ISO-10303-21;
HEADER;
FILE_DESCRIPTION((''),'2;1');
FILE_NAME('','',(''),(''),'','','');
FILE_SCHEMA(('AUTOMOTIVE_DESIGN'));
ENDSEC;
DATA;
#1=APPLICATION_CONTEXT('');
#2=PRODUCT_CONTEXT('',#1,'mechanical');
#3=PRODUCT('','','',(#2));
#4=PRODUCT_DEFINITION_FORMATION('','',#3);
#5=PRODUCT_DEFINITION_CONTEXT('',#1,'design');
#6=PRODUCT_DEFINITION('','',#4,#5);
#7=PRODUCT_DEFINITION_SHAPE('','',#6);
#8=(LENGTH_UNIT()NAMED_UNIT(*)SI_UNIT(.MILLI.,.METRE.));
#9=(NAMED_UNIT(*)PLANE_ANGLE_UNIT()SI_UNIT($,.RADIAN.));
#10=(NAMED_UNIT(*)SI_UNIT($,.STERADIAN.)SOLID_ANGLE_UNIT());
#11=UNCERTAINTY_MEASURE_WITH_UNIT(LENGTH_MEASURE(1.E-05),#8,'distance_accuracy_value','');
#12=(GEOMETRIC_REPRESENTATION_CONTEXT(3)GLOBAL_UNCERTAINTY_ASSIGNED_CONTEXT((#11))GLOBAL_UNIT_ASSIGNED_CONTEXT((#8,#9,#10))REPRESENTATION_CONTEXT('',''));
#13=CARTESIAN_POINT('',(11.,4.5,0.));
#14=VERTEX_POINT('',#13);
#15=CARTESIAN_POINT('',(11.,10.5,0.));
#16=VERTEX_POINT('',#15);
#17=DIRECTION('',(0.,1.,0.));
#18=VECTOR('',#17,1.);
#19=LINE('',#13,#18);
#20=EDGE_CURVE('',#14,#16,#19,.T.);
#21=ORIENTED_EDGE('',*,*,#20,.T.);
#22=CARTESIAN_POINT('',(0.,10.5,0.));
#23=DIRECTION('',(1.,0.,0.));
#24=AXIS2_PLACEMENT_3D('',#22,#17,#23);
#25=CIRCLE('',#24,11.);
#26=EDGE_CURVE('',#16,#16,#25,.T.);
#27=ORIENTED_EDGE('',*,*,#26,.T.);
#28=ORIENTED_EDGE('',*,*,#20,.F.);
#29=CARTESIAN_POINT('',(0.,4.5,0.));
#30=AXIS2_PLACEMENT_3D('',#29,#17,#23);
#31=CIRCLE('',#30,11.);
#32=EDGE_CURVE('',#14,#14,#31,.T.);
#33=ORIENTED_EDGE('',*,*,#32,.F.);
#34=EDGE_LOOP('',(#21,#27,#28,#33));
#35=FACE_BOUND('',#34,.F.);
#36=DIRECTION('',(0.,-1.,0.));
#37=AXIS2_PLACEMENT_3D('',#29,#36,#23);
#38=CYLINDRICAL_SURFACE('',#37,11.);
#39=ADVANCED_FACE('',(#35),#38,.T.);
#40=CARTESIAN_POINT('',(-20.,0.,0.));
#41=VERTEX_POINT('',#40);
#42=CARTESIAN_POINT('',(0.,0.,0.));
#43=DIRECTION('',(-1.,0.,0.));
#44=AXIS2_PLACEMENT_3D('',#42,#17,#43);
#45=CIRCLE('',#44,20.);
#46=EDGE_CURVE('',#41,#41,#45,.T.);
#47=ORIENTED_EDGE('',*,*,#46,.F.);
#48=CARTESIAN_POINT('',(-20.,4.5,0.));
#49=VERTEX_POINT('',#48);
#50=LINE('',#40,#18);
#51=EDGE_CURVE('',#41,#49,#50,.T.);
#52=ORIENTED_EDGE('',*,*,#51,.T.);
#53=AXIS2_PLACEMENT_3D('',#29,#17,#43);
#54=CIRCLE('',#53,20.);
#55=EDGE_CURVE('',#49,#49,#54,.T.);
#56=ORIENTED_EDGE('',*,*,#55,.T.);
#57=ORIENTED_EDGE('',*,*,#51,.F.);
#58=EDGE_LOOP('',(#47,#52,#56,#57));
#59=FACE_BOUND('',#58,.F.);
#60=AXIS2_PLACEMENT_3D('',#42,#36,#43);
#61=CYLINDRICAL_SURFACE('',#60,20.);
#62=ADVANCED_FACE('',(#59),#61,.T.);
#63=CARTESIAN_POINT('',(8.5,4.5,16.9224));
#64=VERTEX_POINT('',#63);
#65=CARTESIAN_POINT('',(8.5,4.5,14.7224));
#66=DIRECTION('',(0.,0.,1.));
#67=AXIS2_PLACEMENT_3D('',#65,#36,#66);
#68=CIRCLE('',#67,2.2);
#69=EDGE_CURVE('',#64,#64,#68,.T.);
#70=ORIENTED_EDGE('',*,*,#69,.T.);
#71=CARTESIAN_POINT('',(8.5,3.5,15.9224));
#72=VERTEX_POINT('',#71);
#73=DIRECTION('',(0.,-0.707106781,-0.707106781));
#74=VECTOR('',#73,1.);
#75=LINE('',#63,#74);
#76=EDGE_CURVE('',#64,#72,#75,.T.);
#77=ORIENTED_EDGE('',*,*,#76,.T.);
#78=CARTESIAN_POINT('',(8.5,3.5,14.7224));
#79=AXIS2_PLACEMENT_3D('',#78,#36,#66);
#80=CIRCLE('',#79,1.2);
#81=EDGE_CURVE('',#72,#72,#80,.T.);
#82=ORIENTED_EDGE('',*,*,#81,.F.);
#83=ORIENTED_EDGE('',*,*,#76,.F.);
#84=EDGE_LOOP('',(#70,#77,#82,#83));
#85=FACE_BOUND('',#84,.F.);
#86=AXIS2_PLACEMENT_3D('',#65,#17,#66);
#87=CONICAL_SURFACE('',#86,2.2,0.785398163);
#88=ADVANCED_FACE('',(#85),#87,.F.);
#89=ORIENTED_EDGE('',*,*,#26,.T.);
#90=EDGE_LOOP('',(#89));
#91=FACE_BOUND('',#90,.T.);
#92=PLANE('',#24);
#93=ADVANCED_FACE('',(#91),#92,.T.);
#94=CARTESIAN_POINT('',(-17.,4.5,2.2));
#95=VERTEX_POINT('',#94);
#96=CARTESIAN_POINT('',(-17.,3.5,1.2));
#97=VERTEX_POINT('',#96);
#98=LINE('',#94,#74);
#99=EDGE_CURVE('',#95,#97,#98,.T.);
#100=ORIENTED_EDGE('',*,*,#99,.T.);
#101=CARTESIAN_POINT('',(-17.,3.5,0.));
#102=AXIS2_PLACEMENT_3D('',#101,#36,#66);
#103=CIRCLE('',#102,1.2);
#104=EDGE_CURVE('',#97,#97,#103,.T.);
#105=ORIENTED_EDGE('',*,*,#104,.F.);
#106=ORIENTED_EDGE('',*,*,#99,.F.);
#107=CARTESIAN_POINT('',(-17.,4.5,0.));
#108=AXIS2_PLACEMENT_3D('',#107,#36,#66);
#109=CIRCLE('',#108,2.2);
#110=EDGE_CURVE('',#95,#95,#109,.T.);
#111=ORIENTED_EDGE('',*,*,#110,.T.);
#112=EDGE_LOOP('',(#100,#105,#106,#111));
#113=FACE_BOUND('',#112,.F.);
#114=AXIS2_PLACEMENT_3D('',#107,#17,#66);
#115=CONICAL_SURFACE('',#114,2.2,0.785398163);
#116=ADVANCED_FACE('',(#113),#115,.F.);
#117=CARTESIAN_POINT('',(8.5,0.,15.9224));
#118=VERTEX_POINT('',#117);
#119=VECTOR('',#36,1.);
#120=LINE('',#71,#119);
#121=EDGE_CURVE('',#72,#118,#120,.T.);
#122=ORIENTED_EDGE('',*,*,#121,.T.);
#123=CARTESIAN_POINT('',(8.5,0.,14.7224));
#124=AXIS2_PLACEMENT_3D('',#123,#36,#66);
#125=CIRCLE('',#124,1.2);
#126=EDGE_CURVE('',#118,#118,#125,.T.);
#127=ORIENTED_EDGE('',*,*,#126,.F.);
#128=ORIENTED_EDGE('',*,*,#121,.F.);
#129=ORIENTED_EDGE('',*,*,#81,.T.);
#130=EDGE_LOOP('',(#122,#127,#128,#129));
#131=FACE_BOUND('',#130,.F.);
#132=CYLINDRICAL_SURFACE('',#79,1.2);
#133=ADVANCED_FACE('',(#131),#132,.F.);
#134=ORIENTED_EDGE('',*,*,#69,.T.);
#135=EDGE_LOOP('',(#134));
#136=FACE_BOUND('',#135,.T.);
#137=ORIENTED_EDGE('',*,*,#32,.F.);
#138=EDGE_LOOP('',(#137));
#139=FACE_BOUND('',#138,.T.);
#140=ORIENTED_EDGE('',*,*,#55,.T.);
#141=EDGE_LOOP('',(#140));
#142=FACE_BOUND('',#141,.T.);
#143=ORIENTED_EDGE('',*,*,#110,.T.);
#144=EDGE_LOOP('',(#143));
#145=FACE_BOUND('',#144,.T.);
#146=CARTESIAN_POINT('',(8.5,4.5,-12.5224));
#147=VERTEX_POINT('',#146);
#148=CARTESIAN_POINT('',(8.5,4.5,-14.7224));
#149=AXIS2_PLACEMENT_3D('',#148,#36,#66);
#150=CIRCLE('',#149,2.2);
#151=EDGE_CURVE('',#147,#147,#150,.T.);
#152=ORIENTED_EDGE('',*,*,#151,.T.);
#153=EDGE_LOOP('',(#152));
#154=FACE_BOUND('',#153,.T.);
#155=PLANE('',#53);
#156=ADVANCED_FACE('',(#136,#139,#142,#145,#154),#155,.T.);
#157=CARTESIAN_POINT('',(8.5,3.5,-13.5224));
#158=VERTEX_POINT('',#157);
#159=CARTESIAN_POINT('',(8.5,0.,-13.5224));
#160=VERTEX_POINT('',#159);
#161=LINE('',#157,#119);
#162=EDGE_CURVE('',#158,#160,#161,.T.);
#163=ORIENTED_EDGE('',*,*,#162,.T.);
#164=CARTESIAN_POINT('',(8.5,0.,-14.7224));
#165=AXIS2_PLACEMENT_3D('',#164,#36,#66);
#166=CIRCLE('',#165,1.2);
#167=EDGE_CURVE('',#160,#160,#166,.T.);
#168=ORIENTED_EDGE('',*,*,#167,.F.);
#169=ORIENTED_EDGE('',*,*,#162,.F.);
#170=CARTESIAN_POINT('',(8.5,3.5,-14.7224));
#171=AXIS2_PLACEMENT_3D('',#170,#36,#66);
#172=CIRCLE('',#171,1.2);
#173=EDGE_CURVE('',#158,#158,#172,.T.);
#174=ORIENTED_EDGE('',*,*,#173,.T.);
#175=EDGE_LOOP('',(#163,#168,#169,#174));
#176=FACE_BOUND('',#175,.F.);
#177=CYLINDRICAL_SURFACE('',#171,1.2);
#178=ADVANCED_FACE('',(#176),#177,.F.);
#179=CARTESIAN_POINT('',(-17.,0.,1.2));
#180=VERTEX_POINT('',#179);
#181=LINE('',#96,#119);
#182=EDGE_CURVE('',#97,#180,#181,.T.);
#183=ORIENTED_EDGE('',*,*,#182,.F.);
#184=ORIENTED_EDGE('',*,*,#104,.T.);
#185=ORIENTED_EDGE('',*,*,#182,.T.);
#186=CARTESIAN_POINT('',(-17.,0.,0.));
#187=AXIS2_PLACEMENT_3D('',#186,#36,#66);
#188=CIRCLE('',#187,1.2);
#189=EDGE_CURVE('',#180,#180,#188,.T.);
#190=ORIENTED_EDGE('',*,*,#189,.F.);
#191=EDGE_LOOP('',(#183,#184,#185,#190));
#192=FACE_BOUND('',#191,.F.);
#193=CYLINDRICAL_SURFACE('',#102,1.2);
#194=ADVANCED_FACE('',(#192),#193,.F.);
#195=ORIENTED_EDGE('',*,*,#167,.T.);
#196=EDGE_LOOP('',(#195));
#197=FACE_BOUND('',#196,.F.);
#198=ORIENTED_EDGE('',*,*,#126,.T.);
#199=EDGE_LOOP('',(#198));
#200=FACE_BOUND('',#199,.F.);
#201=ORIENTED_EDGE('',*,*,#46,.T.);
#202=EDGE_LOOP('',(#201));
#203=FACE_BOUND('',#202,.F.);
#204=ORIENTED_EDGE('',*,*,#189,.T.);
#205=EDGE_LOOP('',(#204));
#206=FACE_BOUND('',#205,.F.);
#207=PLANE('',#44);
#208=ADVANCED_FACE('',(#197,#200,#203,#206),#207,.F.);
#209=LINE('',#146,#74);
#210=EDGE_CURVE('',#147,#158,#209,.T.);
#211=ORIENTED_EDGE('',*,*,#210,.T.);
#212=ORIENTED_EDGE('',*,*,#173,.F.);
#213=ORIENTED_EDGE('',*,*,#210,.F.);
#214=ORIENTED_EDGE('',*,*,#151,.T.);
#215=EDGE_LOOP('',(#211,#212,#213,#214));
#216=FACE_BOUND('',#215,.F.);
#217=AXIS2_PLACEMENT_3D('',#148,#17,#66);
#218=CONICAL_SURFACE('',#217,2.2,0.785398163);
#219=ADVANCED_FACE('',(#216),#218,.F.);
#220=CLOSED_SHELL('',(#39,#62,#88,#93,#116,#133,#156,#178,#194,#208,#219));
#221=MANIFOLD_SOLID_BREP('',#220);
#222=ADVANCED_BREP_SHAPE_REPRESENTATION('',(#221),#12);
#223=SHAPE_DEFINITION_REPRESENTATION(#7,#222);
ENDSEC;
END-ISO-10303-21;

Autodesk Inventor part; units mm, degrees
ref_plane "YZ Plane" through (0, 0, 0) normal (1, 0, 0) x (0, 1, 0)
ref_plane "XZ Plane" through (0, 0, 0) normal (0, 1, 0) x (-1, 0, 0)
ref_plane "XY Plane" through (0, 0, 0) normal (0, 0, 1) x (1, 0, 0)
sketch "Sketch1" plane through (0, 0, 0) normal (0, 1, 0) x (-1, 0, 0)
  circle A0 centre (0, 0) radius 20
  dimension "d0" = 40
extrude "Extrusion1" add sketch "Sketch1" along normal blind 4.5
sketch "Sketch2" plane through (0, 4.5, 0) normal (0, 1, 0) x (1, 0, 0)
  circle A0 centre (0, 0) radius 11
  dimension "d3" = 22
extrude "Extrusion2" add sketch "Sketch2" along normal blind 6
sketch "Sketch3" plane through (0, 4.5, 0) normal (0, 1, 0) x (1, 0, 0)
  line L0 (0, -21.0157) -> (0, 24.936) construction
  line L1 (-27.3573, 0) -> (21.7209, 0) construction
  circle A0 centre (0, 0) radius 17 construction
  point P0 (-17, 0)
  point P1 (8.5, -14.7224)
  point P2 (8.5, 14.7224)
  dimension "d6" = 34
  dimension "d9" = 360
hole "Hole1" at (-17, 4.5, 0) at (8.5, 4.5, 14.7224) at (8.5, 4.5, -14.7224) direction (0, -1, 0) diameter 2.4 end through all countersink diameter 4.4 countersink angle 90 clearance for "Countersunk Flat Head Screw ISO 2009/7046" size "M2" standard "ISO"
properties part number "EChem _S200 Cap Base"
